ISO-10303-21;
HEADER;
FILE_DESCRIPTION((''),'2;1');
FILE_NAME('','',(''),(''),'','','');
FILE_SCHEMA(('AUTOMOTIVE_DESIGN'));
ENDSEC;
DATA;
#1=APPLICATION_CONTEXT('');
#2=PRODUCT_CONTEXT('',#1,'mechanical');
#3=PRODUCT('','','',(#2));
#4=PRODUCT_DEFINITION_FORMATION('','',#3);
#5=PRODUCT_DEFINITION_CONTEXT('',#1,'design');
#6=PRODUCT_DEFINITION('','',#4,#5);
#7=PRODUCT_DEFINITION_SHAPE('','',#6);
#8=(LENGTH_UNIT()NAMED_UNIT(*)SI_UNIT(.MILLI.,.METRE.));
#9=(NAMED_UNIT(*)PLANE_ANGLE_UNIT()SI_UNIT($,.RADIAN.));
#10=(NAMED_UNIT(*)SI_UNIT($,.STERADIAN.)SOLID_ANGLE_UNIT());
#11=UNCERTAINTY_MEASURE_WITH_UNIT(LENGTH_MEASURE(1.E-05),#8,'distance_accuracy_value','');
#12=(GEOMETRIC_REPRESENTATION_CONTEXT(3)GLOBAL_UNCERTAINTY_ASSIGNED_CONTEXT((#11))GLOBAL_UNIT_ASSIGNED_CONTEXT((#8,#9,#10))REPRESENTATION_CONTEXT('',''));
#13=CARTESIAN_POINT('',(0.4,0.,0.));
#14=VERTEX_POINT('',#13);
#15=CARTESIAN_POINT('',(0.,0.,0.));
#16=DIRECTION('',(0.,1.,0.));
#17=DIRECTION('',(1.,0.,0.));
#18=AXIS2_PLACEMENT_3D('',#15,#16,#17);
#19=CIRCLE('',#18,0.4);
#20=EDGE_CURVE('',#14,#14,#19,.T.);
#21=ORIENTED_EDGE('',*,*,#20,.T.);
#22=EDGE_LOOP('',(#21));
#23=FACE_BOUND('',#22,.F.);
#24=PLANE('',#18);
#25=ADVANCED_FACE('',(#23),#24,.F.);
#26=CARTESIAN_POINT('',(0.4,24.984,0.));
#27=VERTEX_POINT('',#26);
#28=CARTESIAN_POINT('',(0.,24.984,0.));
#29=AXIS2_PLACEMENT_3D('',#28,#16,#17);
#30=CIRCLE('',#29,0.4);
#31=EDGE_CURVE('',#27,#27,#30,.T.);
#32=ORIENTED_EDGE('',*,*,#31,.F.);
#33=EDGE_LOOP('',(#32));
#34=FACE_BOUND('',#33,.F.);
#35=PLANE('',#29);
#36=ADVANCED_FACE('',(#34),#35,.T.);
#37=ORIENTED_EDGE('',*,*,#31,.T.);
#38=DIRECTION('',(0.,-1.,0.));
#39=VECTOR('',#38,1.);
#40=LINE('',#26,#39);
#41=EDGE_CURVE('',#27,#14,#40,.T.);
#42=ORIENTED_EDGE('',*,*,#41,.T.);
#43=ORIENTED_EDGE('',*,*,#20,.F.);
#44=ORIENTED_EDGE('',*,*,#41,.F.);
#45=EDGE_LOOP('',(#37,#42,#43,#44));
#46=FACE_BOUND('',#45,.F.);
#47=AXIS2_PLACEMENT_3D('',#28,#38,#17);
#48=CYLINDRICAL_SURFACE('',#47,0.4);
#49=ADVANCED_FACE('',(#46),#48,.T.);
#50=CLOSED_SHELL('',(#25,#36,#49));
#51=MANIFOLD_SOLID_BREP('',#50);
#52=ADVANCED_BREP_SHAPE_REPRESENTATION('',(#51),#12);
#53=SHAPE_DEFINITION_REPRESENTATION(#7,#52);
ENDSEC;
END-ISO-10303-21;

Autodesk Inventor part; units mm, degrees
ref_plane "YZ Plane" through (0, 0, 0) normal (1, 0, 0) x (0, 1, 0)
ref_plane "XZ Plane" through (0, 0, 0) normal (0, 1, 0) x (-1, 0, 0)
ref_plane "XY Plane" through (0, 0, 0) normal (0, 0, 1) x (1, 0, 0)
sketch "Boceto1" plane through (0, 0, 0) normal (0, 0, 1) x (1, 0, 0)
  line L0 (0, 0) -> (0, 24.984)
  line L1 (0.4, 24.984) -> (0.4, 0)
  line L2 (0.4, 0) -> (0, 0)
  line L3 (0, 24.984) -> (0.4, 24.984)
revolve "Revolución1" add sketch "Boceto1" angle 360 about axis through (0, 0, 0) along (0, 1, 0)
properties part number "palo"
